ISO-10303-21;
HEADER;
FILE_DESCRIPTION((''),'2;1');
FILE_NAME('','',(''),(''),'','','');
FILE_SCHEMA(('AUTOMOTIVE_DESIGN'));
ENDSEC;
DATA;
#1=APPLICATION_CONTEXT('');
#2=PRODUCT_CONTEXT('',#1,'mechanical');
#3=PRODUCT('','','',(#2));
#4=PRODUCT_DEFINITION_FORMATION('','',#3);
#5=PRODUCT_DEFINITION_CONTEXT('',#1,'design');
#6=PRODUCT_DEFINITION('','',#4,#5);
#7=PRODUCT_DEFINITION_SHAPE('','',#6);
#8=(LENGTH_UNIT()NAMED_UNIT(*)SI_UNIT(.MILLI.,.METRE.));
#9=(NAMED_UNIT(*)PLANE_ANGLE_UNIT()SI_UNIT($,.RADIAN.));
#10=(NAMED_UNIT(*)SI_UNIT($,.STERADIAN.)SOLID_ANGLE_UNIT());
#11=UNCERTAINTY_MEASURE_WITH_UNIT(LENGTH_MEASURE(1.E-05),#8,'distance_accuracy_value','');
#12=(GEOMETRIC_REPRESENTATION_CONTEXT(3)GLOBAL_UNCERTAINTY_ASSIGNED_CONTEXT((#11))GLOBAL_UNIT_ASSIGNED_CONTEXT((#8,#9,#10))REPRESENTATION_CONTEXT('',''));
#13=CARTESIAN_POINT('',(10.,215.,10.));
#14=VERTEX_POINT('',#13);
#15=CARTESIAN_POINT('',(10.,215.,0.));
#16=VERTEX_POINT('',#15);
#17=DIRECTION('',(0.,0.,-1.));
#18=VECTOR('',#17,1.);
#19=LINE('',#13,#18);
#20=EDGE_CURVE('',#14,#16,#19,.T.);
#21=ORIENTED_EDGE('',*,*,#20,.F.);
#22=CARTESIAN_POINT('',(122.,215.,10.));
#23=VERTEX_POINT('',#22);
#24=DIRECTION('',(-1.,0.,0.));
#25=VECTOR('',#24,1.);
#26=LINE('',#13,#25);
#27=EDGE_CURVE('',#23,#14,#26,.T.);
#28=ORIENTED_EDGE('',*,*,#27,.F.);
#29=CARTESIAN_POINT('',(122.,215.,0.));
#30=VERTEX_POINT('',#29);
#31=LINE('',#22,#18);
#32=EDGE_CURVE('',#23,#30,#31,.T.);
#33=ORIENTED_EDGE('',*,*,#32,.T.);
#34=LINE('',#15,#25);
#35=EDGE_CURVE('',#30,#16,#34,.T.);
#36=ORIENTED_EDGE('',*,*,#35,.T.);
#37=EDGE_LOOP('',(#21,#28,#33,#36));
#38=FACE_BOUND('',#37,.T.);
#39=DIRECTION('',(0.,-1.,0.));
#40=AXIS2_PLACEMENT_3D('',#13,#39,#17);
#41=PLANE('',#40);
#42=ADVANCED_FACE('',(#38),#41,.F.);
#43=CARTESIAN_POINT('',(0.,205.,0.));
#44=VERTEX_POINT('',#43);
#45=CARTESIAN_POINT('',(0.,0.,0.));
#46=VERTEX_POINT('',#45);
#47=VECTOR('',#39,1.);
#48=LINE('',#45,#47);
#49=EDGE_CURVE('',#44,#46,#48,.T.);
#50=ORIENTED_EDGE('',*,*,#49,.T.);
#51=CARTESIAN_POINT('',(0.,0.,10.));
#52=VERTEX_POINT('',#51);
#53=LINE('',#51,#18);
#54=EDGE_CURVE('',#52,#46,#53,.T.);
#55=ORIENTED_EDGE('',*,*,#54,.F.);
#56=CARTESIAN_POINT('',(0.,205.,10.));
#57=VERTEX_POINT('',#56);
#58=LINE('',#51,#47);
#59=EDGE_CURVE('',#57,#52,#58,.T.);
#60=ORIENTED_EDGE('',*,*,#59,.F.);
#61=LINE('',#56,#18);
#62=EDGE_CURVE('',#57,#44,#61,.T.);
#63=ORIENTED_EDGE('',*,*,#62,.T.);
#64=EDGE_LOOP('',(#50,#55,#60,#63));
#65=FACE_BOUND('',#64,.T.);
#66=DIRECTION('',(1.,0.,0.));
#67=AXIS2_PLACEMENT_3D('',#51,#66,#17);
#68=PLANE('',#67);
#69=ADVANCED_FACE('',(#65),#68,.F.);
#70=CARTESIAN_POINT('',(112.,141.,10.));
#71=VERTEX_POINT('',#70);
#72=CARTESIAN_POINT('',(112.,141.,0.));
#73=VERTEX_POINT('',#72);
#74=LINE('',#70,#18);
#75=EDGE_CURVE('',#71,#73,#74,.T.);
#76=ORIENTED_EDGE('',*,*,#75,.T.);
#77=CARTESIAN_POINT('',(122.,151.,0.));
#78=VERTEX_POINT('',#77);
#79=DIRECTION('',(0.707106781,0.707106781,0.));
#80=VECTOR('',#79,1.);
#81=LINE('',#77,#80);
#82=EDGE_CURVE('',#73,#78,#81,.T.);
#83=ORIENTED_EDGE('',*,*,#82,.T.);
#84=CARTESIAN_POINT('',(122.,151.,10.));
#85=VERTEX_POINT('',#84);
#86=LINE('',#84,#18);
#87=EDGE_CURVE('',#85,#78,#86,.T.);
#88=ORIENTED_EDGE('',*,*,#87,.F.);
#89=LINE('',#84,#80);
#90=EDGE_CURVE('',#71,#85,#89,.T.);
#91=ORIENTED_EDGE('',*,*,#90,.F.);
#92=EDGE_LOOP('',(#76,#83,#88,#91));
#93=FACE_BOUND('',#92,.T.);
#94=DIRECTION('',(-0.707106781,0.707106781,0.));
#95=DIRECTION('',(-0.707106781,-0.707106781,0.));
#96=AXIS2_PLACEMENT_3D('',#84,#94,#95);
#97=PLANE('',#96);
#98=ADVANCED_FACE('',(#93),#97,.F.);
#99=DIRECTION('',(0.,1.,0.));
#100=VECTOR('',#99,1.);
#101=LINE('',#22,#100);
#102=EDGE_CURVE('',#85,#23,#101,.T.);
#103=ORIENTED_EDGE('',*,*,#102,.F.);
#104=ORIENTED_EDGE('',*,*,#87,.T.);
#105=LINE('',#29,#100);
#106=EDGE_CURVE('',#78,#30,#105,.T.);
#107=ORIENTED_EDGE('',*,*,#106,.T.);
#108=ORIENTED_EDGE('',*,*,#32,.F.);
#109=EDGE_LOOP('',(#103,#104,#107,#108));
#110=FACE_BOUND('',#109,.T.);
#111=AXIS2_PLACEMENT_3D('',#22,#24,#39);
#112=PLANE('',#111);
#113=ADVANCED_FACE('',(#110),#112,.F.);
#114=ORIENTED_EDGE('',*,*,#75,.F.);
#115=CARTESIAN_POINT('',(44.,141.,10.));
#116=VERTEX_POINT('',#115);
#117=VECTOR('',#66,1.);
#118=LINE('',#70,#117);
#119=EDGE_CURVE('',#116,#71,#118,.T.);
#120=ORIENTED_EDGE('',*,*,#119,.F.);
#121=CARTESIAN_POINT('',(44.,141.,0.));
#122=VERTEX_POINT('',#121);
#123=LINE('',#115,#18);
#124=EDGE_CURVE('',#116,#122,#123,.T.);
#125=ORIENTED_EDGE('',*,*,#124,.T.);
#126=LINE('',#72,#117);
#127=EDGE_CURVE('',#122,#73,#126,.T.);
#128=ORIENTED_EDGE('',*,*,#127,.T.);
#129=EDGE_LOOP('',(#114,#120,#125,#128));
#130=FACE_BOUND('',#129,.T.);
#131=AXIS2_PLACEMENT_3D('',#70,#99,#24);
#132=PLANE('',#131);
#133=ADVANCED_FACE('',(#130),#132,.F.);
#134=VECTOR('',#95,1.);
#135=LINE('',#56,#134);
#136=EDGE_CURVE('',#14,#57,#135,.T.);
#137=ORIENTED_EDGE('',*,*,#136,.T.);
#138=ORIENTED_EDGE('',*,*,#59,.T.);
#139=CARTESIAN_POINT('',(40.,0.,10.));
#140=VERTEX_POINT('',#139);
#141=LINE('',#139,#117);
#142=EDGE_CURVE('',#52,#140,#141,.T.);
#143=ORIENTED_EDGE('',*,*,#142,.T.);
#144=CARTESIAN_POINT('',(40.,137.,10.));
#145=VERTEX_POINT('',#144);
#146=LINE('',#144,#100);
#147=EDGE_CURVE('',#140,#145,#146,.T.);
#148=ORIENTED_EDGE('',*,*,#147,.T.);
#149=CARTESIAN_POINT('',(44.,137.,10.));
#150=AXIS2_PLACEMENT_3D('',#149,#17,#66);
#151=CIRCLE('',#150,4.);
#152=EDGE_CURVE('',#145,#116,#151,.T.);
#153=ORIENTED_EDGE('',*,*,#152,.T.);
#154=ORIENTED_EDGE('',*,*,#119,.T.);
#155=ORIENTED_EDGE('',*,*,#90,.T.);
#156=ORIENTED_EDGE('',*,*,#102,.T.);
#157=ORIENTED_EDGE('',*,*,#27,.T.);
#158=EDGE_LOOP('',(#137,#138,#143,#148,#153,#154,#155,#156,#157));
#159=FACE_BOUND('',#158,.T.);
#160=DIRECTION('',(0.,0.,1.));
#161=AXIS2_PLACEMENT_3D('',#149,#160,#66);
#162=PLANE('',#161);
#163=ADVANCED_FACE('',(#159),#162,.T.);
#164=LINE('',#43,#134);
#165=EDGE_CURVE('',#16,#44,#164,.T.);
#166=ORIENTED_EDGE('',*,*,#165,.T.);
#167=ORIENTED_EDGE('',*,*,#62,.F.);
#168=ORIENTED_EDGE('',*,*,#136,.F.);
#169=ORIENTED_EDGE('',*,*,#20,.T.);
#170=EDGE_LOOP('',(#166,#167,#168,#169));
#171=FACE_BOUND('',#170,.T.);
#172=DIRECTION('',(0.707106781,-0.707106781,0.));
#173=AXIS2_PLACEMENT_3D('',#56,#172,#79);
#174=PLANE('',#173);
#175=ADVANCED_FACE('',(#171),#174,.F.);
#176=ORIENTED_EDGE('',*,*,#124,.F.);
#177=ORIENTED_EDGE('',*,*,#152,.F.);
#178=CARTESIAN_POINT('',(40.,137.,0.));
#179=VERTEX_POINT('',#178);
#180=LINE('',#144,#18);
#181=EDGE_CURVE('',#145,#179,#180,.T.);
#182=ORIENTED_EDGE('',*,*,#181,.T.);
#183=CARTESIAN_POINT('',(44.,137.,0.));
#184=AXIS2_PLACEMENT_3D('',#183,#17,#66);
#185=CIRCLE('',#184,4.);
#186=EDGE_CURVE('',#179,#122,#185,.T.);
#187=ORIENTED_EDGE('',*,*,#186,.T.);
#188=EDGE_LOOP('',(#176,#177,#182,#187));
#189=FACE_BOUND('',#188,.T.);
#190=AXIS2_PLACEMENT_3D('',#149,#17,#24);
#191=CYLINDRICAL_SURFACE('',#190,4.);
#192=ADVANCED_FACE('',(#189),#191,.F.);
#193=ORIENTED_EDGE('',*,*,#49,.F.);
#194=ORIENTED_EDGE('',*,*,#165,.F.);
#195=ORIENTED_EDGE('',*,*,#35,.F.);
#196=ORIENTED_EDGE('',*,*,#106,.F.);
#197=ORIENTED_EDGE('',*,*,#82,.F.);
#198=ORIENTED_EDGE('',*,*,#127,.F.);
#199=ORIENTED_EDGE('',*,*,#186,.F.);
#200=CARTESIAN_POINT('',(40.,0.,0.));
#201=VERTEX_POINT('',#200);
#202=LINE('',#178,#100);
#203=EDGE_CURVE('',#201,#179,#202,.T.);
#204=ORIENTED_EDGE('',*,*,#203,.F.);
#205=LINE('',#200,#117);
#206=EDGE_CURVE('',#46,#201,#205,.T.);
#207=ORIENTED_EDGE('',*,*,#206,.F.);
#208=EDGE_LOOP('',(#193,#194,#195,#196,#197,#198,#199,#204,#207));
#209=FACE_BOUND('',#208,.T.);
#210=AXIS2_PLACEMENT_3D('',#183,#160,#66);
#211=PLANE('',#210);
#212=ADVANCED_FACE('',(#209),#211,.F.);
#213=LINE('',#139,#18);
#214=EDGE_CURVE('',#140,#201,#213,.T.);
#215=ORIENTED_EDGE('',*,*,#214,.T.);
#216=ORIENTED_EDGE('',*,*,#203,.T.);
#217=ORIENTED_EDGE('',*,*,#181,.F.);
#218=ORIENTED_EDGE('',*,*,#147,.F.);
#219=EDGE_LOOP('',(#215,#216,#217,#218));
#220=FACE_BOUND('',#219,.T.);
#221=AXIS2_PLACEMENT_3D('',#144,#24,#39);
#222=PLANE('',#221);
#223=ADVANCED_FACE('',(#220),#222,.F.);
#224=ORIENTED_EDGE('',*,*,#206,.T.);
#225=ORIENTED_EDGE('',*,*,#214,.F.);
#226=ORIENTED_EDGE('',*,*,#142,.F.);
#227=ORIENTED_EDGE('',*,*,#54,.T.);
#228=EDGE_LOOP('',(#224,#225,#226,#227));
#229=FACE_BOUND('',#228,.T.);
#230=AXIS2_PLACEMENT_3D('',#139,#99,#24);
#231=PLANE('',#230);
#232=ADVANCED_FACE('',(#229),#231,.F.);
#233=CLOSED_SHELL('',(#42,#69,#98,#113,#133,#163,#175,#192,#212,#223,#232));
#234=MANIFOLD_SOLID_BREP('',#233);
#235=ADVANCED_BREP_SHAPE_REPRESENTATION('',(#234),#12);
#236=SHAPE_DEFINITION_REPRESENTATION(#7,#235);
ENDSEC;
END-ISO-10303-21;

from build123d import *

# Parameters (mm, degrees)
BOSS_EXTRUDE1_DEPTH = 10


with BuildPart() as part:
    # Sketch1 → Boss-Extrude1 (new body)
    with BuildSketch(Plane.XY):
        with BuildLine():
            Line((0, 0), (0, 205))
            Line((0, 205), (10, 215))
            Line((10, 215), (122, 215))
            Line((122, 215), (122, 151))
            Line((122, 151), (112, 141))
            Line((112, 141), (44, 141))
            ThreePointArc((44, 141), (41.171572875, 139.828427125), (40, 137))
            Line((40, 137), (40, 0))
            Line((40, 0), (0, 0))
        make_face()
    extrude(amount=BOSS_EXTRUDE1_DEPTH)


solid = part.part
